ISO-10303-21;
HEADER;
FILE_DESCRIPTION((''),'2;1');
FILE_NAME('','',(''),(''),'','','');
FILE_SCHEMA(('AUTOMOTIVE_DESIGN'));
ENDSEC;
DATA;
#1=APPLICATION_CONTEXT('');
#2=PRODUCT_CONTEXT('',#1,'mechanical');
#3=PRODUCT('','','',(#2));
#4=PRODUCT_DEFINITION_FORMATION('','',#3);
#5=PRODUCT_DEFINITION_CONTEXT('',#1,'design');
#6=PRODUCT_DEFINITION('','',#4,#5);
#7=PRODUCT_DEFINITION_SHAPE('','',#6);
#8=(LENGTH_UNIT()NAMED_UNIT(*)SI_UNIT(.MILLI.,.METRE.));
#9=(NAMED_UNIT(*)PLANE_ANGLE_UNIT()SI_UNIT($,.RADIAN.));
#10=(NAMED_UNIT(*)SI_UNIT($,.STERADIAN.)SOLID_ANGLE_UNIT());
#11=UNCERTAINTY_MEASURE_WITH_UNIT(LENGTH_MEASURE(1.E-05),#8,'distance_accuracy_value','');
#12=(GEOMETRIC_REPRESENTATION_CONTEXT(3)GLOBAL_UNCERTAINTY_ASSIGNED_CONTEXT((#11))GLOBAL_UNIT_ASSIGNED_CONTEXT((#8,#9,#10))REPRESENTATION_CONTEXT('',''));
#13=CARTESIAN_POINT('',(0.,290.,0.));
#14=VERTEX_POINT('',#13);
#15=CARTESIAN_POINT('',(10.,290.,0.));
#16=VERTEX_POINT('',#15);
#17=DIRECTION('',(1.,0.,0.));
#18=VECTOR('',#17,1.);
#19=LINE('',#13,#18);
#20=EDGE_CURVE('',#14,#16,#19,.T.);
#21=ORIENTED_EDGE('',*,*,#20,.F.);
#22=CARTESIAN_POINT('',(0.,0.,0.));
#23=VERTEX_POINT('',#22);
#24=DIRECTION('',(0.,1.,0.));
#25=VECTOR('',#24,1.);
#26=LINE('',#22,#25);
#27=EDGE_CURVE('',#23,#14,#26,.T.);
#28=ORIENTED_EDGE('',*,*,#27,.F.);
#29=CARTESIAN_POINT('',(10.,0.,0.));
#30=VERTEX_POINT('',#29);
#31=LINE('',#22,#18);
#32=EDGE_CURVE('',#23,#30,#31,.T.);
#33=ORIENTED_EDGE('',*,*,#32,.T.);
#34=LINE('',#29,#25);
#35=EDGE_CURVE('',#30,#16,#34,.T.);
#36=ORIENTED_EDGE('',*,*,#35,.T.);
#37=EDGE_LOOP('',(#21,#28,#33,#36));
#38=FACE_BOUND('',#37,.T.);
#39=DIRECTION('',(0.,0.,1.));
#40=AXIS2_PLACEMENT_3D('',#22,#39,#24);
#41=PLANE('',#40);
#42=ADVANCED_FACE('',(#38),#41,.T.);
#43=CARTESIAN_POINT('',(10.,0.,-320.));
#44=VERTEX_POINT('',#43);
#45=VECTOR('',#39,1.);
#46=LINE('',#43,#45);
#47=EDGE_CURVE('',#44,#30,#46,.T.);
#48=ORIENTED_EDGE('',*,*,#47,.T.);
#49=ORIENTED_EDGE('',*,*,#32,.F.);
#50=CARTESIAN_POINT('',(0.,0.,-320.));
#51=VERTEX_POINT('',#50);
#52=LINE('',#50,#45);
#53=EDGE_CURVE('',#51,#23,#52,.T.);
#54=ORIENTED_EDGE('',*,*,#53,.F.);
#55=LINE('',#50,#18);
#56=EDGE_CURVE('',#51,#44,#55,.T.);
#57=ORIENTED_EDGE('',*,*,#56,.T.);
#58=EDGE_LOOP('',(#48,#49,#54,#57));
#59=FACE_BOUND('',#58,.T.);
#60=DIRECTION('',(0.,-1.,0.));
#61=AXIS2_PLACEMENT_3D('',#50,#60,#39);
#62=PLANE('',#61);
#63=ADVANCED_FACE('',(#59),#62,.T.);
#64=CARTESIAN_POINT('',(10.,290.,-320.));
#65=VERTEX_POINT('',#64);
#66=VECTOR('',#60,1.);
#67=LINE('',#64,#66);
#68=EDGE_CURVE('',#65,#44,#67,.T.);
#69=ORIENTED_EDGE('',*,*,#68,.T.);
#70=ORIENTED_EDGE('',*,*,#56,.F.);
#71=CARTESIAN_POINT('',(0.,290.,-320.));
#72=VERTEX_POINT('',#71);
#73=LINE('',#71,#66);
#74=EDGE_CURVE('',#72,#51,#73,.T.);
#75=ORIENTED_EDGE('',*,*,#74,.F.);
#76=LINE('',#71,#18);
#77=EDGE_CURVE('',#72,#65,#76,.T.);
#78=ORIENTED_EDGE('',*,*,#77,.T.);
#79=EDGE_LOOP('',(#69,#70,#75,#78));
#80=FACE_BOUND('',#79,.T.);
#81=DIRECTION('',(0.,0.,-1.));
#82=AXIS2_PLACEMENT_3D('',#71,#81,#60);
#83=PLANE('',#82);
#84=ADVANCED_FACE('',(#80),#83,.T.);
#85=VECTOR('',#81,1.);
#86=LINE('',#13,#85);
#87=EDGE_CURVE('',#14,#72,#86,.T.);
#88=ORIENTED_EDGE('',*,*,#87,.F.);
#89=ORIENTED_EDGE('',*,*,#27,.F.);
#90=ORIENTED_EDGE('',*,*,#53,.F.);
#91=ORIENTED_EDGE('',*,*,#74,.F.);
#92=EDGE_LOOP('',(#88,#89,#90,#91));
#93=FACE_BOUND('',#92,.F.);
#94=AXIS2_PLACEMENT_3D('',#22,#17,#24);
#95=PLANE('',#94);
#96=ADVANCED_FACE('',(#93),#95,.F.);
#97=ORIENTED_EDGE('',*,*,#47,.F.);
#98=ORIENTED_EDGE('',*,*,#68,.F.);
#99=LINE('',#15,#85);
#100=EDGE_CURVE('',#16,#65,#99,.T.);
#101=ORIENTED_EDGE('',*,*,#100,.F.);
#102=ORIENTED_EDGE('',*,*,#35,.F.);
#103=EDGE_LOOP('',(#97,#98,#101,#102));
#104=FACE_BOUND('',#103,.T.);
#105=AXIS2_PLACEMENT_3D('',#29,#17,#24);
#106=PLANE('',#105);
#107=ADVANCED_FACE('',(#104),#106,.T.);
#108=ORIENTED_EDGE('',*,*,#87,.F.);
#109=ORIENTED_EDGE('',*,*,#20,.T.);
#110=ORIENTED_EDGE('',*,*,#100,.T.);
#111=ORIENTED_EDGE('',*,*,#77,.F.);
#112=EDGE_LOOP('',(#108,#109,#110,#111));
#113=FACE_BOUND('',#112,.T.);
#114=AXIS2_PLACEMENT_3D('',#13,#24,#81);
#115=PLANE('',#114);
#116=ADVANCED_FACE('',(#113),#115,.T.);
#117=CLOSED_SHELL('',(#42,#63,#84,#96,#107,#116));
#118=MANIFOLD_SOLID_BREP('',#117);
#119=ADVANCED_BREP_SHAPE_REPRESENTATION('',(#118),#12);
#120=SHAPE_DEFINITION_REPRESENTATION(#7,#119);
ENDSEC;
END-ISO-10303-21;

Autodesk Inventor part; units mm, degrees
ref_plane "YZ Plane" through (0, 0, 0) normal (1, 0, 0) x (0, 1, 0)
ref_plane "XZ Plane" through (0, 0, 0) normal (0, 1, 0) x (-1, 0, 0)
ref_plane "XY Plane" through (0, 0, 0) normal (0, 0, 1) x (1, 0, 0)
sketch "Sketch1" plane through (0, 0, 0) normal (1, 0, 0) x (0, 1, 0)
  line L0 (0, 0) -> (290, 0)
  line L1 (290, 0) -> (290, -320)
  line L2 (290, -320) -> (0, -320)
  line L3 (0, -320) -> (0, 0)
  dimension "d0" = 290
  dimension "d1" = 320
extrude "Extrusion1" add sketch "Sketch1" along normal blind 10
properties part number "side_wall"
